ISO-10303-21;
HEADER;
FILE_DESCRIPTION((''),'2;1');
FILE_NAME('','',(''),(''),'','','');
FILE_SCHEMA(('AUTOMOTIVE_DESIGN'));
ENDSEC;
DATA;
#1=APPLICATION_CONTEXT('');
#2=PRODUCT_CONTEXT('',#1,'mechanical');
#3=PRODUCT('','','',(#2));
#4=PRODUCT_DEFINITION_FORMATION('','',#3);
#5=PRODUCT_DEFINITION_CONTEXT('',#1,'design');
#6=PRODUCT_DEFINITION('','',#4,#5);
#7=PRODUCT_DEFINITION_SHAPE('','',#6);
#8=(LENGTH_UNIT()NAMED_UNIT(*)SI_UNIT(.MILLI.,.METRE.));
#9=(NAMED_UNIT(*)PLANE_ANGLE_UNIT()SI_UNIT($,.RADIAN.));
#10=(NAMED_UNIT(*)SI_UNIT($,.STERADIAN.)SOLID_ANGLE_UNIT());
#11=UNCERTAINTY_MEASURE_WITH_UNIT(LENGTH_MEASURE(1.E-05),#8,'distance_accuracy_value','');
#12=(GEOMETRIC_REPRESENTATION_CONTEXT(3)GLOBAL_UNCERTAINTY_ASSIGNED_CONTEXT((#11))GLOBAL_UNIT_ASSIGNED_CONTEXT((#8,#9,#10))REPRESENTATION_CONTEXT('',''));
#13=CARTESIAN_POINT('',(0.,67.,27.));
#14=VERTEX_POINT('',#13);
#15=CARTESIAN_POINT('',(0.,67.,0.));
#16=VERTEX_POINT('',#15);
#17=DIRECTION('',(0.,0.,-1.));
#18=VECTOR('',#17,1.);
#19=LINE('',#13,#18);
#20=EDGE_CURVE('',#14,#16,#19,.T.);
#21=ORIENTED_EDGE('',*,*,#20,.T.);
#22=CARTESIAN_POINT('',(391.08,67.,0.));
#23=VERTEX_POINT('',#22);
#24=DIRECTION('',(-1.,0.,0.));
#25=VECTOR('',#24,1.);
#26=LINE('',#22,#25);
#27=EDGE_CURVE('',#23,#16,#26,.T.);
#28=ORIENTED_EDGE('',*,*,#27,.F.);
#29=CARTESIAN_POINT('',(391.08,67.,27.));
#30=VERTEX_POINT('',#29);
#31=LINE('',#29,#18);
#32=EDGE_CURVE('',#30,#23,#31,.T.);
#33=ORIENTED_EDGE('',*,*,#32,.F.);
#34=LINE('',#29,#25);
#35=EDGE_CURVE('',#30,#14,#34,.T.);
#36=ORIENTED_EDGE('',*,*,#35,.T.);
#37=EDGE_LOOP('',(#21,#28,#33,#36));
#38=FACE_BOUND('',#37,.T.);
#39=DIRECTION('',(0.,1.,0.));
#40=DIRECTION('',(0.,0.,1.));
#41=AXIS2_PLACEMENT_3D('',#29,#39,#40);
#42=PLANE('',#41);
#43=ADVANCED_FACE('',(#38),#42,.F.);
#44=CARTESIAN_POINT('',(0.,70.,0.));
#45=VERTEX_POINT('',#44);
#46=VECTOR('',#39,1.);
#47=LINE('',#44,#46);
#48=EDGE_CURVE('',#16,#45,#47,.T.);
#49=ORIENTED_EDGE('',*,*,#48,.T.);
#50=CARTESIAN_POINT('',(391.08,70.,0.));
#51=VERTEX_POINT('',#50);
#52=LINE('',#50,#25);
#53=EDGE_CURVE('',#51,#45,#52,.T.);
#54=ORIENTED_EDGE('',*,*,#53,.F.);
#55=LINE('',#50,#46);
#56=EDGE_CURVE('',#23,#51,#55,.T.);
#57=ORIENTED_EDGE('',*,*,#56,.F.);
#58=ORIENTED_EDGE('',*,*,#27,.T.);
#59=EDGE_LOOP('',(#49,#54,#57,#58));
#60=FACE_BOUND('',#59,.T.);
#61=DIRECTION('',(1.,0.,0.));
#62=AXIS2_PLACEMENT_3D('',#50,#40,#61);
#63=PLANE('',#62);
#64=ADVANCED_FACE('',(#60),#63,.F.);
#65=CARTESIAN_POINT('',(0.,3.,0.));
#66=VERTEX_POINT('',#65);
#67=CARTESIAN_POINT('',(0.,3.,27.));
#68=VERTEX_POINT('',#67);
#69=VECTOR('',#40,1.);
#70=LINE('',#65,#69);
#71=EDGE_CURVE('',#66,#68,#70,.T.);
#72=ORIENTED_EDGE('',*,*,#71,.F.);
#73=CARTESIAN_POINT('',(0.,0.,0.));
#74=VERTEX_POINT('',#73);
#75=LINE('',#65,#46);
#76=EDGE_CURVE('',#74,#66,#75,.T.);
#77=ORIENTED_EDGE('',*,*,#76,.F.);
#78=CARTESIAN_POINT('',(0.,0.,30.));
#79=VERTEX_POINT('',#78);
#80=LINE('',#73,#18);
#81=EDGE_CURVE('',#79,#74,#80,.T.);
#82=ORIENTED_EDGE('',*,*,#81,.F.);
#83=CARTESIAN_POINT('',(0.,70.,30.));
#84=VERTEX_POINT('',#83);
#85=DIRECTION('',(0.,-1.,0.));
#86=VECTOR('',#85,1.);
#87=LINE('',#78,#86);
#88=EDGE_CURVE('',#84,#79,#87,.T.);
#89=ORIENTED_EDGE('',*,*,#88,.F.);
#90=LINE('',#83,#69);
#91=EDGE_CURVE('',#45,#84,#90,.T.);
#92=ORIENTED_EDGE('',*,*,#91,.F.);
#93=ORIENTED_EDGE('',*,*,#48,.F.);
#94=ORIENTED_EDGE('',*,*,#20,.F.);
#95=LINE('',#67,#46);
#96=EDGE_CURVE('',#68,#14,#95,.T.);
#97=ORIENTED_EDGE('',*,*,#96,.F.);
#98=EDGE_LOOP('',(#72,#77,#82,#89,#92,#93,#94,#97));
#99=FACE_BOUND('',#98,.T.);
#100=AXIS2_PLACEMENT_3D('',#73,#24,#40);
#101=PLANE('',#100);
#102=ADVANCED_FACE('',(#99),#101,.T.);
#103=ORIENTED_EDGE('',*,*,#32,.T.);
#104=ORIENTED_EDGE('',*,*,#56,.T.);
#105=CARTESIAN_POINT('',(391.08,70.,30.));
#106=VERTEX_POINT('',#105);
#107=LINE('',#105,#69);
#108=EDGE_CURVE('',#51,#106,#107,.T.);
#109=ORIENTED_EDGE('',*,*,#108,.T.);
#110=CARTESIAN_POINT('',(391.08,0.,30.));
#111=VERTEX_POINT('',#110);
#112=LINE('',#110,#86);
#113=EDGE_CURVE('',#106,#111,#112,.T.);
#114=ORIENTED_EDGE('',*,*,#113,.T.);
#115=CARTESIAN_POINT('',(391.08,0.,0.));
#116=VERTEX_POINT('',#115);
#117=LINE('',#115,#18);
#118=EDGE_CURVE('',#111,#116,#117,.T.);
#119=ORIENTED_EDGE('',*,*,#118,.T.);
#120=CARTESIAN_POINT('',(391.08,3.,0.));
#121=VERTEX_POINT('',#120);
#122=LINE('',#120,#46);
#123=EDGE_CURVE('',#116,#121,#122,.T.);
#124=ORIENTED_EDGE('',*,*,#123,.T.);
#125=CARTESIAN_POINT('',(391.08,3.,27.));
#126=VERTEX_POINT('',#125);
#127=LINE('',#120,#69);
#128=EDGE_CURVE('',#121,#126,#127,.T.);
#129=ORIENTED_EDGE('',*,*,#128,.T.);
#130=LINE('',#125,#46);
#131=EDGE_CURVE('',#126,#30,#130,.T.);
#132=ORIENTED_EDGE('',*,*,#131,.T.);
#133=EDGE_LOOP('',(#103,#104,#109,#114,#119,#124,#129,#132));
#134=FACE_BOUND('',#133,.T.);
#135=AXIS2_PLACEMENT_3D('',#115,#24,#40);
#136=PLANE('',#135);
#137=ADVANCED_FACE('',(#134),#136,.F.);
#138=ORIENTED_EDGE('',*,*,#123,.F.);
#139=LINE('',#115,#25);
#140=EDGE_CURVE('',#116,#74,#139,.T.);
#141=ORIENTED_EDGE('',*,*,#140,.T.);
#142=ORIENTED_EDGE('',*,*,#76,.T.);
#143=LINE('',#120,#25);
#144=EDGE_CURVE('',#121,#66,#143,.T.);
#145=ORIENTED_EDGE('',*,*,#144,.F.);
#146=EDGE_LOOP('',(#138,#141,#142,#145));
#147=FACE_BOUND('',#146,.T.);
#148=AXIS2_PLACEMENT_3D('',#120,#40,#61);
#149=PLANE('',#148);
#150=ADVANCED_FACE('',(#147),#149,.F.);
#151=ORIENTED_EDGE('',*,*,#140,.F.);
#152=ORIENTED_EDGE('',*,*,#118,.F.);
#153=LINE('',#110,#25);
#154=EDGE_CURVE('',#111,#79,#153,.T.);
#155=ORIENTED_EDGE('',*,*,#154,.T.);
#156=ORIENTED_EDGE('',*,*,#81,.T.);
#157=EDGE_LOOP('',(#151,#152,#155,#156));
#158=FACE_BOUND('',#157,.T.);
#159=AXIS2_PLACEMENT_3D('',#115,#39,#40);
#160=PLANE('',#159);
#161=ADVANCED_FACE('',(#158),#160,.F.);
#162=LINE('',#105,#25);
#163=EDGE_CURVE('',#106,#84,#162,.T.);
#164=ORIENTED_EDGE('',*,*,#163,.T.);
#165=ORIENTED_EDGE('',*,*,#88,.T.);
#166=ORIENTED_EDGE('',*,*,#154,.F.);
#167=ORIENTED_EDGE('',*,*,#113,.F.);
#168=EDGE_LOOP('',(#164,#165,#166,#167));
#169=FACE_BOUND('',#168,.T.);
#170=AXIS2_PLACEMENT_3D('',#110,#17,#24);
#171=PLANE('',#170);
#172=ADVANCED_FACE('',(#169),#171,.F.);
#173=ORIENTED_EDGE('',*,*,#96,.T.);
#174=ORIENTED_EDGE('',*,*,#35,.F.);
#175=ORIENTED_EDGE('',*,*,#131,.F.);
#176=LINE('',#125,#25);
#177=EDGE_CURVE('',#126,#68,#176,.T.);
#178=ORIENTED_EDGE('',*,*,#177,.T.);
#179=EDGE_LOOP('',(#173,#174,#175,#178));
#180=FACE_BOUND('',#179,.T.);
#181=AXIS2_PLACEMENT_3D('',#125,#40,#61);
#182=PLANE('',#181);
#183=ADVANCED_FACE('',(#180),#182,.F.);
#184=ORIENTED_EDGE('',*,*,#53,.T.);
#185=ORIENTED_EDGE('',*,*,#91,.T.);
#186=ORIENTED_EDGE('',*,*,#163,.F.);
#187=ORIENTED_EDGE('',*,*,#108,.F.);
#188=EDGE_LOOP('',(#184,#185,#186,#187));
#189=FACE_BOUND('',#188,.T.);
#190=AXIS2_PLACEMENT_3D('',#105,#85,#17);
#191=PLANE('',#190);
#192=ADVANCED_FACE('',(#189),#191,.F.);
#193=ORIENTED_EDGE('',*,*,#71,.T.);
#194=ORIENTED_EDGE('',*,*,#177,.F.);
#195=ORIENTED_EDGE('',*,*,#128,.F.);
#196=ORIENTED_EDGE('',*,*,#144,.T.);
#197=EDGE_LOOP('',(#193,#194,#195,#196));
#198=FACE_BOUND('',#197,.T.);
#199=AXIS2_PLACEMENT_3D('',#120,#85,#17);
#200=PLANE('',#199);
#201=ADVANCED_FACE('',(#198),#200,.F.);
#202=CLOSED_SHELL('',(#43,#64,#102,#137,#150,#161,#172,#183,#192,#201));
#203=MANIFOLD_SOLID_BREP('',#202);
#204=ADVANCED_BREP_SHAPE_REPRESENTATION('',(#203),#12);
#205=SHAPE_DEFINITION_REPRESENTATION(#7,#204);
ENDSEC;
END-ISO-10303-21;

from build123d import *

# Parameters (mm, degrees)
RESSALTO_EXTRUS_O1_DEPTH = 391.08


with BuildPart() as part:
    # Esboço1 → Ressalto-extrusão1 (new body)
    with BuildSketch(Plane(origin=(0, 0, 0), x_dir=(0, 0, -1), z_dir=(1, 0, 0))):
        Polygon((0, 0), (-30, 0), (-30, 70), (0, 70), (0, 67), (-27, 67), (-27, 3), (0, 3), align=None)
    extrude(amount=RESSALTO_EXTRUS_O1_DEPTH)


solid = part.part
